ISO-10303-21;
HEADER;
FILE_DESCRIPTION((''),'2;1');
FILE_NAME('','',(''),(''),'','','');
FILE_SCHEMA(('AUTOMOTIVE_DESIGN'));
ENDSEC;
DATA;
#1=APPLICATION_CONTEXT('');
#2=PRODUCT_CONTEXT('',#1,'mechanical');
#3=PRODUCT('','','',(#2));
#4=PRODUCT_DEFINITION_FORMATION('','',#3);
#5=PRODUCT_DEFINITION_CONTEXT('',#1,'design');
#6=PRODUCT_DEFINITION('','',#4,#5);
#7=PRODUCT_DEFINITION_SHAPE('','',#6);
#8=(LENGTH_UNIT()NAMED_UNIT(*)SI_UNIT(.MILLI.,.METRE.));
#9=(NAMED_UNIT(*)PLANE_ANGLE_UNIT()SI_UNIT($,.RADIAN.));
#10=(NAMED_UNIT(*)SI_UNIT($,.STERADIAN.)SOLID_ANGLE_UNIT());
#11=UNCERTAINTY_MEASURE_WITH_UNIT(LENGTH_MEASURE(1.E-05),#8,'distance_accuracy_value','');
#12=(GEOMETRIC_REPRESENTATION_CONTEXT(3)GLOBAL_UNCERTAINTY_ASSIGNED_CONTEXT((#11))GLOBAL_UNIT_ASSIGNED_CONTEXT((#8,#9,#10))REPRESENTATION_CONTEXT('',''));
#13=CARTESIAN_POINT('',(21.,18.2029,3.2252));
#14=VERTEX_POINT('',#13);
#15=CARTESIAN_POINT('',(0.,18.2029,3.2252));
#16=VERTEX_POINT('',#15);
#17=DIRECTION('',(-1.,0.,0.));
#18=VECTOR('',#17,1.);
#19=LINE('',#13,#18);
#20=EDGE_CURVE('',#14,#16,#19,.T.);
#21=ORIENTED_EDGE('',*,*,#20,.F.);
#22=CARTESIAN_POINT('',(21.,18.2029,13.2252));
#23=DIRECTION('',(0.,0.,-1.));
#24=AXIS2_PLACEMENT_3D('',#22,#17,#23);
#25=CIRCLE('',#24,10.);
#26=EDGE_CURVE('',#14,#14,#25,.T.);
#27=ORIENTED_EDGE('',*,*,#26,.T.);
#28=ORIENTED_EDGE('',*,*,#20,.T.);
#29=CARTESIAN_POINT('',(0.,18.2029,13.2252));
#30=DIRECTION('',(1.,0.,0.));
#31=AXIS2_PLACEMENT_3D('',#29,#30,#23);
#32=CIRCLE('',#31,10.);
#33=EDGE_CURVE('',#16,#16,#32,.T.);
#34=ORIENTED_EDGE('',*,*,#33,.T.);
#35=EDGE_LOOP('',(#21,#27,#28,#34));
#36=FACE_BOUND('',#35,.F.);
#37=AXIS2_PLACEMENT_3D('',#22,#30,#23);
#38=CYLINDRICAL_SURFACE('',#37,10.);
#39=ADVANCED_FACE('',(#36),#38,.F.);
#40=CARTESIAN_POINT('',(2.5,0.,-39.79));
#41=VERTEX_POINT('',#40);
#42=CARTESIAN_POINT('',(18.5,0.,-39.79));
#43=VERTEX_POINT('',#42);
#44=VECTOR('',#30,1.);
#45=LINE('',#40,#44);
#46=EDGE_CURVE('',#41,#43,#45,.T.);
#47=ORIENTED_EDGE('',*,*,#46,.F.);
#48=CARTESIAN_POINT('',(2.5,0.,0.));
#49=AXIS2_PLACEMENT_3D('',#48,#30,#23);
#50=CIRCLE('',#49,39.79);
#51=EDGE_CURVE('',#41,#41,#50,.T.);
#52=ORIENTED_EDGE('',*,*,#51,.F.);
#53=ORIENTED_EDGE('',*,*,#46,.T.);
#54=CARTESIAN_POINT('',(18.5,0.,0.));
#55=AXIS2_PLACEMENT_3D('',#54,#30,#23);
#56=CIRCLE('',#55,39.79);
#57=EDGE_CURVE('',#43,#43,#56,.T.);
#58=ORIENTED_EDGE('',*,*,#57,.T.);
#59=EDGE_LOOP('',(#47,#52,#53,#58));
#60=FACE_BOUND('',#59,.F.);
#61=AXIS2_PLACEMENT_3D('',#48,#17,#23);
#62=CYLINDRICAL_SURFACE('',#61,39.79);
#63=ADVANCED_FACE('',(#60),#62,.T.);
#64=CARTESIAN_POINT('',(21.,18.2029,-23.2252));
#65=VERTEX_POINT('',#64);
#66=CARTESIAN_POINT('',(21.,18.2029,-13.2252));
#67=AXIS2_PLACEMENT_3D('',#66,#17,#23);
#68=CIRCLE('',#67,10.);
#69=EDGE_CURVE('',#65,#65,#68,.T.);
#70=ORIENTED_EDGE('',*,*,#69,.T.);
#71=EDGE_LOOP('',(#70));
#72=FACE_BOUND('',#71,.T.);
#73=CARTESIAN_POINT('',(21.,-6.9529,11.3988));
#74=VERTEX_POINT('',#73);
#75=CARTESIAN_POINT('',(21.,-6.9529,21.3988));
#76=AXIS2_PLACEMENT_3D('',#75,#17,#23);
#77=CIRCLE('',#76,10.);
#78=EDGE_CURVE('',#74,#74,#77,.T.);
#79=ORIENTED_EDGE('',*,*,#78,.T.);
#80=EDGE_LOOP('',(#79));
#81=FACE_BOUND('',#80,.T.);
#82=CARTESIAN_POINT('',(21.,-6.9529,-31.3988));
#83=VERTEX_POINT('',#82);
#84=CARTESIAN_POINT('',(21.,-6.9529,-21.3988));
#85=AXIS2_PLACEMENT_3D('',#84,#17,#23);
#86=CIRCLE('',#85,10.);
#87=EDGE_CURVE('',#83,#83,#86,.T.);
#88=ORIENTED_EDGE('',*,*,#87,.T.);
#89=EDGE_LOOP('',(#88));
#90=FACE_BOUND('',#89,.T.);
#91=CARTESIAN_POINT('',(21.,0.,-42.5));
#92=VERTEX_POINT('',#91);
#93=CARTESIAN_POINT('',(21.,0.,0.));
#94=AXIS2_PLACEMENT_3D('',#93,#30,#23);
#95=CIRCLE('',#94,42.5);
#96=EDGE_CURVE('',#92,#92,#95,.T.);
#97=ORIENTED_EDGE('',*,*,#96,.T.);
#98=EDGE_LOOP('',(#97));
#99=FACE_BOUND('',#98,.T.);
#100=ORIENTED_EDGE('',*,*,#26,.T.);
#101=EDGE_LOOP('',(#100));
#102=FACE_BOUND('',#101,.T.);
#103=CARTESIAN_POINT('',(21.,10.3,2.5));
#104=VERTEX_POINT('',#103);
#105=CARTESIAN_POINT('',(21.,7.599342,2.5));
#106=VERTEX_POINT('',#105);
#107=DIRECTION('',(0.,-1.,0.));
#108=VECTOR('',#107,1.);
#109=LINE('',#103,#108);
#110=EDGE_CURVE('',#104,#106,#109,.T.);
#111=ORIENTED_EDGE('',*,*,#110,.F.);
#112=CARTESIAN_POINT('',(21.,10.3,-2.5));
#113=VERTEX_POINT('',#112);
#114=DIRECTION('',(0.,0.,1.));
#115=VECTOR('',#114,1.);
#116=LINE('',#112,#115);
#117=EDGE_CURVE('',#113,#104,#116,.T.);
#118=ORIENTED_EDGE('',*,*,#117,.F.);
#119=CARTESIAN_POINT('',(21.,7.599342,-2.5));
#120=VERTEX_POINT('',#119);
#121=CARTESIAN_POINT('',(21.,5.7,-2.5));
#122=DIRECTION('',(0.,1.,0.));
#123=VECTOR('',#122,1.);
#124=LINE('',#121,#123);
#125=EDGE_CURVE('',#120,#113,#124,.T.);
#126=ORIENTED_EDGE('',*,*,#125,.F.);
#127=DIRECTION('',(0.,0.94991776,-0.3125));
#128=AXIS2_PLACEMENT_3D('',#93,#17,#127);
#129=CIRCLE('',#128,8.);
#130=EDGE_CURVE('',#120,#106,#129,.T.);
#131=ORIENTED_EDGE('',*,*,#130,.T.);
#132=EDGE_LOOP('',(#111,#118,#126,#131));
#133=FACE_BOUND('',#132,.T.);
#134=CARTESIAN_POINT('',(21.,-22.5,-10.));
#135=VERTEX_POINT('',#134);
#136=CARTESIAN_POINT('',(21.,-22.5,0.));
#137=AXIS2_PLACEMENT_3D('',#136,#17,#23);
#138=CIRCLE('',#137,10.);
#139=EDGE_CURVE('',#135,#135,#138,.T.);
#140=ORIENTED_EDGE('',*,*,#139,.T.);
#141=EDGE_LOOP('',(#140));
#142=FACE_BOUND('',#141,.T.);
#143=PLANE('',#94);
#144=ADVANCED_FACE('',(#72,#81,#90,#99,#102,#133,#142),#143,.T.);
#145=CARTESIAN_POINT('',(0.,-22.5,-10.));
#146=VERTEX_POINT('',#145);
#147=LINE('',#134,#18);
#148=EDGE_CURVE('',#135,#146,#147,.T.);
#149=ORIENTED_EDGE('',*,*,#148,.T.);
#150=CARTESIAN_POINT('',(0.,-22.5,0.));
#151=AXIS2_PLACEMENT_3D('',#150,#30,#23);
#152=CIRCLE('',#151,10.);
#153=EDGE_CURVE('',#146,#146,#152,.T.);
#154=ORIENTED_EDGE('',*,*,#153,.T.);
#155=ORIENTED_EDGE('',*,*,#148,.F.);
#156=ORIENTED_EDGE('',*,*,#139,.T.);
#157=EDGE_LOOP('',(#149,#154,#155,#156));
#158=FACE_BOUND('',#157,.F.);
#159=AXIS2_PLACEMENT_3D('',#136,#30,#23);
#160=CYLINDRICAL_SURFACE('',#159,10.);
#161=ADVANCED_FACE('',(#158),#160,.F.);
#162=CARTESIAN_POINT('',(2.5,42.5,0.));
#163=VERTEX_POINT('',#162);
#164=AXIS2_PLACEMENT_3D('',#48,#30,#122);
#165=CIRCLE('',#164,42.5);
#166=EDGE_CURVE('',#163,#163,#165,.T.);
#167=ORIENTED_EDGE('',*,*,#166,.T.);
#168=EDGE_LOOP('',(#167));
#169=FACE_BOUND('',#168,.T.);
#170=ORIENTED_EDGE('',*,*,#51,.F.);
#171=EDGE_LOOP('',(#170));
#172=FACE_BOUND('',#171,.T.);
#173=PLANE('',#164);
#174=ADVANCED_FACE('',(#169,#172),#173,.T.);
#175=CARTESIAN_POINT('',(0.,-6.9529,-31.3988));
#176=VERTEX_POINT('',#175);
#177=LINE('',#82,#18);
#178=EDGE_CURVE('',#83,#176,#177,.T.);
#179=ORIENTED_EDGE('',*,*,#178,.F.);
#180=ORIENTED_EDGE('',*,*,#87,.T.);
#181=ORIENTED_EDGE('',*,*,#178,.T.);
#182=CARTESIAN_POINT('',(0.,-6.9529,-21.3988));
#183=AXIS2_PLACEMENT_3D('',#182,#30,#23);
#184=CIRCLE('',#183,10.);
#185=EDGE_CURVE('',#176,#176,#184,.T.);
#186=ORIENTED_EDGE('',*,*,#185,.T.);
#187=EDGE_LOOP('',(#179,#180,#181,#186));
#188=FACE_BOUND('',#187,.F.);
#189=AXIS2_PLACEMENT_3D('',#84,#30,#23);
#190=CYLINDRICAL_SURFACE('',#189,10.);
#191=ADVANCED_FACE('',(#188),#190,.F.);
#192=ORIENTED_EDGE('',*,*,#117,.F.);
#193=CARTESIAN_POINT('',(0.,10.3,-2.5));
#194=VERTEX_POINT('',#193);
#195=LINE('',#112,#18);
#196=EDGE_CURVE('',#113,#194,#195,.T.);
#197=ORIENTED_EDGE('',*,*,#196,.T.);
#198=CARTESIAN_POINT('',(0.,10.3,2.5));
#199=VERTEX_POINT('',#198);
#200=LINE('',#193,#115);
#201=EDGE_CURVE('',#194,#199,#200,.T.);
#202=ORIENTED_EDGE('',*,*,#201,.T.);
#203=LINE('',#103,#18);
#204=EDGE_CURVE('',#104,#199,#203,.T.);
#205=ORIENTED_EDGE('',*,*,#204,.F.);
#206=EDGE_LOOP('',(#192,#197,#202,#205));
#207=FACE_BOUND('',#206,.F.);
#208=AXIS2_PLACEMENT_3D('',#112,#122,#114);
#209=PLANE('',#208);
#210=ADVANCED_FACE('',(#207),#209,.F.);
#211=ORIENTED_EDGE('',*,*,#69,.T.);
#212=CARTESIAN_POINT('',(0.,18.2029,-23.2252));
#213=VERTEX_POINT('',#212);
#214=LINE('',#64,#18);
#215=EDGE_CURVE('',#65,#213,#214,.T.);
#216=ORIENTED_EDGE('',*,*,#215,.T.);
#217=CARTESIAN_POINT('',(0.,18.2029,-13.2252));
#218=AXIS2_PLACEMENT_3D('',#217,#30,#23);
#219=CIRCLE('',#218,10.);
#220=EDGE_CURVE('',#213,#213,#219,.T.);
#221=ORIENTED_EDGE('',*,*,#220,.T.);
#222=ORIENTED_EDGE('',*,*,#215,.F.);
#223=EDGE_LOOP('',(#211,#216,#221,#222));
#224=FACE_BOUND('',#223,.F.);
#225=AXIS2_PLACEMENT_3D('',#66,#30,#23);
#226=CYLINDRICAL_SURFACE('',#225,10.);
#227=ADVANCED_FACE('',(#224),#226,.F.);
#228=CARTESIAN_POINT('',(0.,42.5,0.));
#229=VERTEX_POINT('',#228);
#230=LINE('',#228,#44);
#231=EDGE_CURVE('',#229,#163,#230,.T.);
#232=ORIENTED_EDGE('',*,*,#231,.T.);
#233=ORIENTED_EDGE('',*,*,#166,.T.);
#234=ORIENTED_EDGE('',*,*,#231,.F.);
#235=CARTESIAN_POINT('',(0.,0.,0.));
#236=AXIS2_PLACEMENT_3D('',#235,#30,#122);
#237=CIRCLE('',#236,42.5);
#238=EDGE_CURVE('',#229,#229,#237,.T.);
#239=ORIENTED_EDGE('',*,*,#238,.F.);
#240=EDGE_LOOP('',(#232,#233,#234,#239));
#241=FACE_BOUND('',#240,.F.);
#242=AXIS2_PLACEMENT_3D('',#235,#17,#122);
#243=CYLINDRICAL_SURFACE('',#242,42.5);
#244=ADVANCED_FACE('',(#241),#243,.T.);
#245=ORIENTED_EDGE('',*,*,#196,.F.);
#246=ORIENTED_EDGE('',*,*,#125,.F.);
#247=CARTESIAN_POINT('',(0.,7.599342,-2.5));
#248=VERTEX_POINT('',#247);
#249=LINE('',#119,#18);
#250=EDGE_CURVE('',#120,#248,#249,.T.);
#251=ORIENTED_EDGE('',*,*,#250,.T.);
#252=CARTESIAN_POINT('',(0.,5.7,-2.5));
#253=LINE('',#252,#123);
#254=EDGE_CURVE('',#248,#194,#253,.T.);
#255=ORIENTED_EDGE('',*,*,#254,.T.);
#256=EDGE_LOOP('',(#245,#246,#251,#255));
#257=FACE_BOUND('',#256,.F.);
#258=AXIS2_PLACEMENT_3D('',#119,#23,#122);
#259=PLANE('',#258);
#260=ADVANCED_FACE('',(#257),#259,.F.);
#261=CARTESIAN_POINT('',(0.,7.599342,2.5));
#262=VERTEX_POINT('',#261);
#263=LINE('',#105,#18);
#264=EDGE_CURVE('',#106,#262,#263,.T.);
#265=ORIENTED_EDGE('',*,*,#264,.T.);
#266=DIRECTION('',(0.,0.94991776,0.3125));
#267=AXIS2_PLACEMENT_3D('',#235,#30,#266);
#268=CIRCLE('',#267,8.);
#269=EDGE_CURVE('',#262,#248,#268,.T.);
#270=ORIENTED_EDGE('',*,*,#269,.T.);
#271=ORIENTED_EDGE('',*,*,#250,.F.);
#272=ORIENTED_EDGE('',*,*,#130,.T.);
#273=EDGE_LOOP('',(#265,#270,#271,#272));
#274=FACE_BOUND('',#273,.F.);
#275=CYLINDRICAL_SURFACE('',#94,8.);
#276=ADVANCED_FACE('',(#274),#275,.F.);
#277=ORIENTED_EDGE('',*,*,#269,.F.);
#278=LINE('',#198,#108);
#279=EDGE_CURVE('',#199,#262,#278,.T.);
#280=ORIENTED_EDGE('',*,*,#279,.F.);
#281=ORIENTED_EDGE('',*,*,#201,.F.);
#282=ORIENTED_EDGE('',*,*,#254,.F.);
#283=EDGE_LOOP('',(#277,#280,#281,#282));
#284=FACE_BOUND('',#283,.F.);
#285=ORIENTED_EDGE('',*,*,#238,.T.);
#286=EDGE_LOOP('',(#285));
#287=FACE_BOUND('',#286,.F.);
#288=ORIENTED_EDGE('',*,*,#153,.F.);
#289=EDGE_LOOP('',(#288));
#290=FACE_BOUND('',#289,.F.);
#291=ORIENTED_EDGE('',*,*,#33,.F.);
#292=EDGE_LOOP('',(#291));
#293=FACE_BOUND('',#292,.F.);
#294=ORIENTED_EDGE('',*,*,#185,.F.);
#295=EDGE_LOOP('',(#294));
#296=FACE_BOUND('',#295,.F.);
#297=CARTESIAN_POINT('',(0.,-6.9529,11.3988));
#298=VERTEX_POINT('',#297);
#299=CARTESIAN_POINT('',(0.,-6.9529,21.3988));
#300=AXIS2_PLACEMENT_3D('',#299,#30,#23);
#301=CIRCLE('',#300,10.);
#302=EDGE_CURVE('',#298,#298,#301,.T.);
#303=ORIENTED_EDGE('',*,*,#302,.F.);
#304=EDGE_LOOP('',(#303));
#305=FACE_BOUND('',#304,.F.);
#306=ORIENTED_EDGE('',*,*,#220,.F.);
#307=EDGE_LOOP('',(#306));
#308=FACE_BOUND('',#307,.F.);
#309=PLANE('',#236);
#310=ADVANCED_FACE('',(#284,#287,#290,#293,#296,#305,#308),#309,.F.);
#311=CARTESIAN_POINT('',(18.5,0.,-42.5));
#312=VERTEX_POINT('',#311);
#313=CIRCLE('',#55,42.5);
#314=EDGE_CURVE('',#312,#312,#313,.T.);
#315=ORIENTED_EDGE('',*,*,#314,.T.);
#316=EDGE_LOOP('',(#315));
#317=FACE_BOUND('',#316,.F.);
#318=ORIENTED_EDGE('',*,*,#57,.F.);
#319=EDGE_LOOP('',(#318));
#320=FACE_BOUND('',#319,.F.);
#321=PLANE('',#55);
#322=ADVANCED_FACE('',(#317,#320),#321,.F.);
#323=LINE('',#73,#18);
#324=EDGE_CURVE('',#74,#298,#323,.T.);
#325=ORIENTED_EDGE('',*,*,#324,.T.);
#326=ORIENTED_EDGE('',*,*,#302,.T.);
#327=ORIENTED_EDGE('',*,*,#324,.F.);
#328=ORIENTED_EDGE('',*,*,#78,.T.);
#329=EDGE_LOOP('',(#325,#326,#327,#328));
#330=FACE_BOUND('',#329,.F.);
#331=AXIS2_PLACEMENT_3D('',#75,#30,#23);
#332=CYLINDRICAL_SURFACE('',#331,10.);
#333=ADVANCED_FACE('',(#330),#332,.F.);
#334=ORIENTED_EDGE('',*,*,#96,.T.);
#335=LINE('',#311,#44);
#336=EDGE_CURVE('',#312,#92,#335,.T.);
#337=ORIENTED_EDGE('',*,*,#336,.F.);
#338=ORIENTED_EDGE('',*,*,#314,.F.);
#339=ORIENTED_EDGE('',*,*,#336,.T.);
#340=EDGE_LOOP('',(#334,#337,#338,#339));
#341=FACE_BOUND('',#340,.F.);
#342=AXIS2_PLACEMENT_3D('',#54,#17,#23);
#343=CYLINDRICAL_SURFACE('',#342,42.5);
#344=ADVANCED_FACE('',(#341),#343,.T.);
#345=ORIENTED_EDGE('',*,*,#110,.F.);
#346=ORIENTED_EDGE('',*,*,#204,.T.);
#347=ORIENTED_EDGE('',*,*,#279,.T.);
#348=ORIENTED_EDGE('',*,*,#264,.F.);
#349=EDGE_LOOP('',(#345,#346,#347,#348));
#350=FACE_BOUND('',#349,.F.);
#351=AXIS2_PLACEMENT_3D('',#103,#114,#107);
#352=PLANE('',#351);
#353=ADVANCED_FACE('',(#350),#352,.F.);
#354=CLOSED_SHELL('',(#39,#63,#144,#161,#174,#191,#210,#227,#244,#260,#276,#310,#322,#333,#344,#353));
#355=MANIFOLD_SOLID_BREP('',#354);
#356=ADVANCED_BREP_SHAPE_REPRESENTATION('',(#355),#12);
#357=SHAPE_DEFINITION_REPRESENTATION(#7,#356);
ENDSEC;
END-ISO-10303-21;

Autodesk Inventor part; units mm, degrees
ref_plane "YZ Plane" through (0, 0, 0) normal (1, 0, 0) x (0, 1, 0)
ref_plane "XZ Plane" through (0, 0, 0) normal (0, 1, 0) x (-1, 0, 0)
ref_plane "XY Plane" through (0, 0, 0) normal (0, 0, 1) x (1, 0, 0)
sketch "Sketch1" plane through (0, 0, 0) normal (1, 0, 0) x (0, 1, 0)
  circle A0 centre (0, 0) radius 42.5
  dimension "d0" = 85
extrude "Extrusion1" add sketch "Sketch1" along normal blind 2.5
sketch "Sketch2" plane through (2.5, 0, 0) normal (1, 0, 0) x (0, 0, -1)
  circle A0 centre (0, 0) radius 39.79
  dimension "d4" = 79.58
extrude "Extrusion2" add sketch "Sketch2" along normal blind 16
sketch "Sketch3" plane through (18.5, 0, 0) normal (1, 0, 0) x (0, 0, -1)
  circle A0 centre (0, 0) radius 42.5
  dimension "d8" = 85
extrude "Extrusion3" add sketch "Sketch3" along normal blind 2.5
sketch "Sketch4" plane through (21, 0, 0) normal (1, 0, 0) x (0, 0, -1)
  circle A0 centre (0, 0) radius 8
  line L0 (-2.5, 5.7) -> (2.5, 5.7)
  line L1 (2.5, 5.7) -> (2.5, 10.3)
  line L2 (2.5, 10.3) -> (-2.5, 10.3)
  line L3 (-2.5, 10.3) -> (-2.5, 5.7)
  line L4 (-2.5, 5.7) -> (2.5, 10.3) construction
  line L5 (2.5, 5.7) -> (-2.5, 10.3) construction
  circle A1 centre (0, 0) radius 22.5
  circle A2 centre (0, -22.5) radius 10
  line L6 (0, 0) -> (0, -22.5)
  line L7 (0, 0) -> (22.5, 0) construction
  circle A3 centre (21.3988, -6.9529) radius 10
  circle A4 centre (13.2252, 18.2029) radius 10
  circle A5 centre (-13.2252, 18.2029) radius 10
  circle A6 centre (-21.3988, -6.9529) radius 10
  point P0 (0, 8)
  dimension "d17" = 45
  dimension "d20" = 16
  dimension "d18" = 5
  dimension "d19" = 4.6
  dimension "d16" = 20
  dimension "d15" = 90
  dimension "d14" = 360
extrude "Extrusion4" cut sketch "Sketch4" against normal blind 21 contours A0 L3 L0 L1 | A2 A1 L6 | L6 A1 A2 | L1 L0 L3 A0 | A0 L3 L2 L1 | A2 A1 | A3 A1 | A1 A3 | A6 A1 | A1 A6 | A4 A1 | A1 A4 | A5 A1 | A1 A5
properties part number "50 T HTD 5 M Pulley 15mm Inner" material "Aluminum 6061"
